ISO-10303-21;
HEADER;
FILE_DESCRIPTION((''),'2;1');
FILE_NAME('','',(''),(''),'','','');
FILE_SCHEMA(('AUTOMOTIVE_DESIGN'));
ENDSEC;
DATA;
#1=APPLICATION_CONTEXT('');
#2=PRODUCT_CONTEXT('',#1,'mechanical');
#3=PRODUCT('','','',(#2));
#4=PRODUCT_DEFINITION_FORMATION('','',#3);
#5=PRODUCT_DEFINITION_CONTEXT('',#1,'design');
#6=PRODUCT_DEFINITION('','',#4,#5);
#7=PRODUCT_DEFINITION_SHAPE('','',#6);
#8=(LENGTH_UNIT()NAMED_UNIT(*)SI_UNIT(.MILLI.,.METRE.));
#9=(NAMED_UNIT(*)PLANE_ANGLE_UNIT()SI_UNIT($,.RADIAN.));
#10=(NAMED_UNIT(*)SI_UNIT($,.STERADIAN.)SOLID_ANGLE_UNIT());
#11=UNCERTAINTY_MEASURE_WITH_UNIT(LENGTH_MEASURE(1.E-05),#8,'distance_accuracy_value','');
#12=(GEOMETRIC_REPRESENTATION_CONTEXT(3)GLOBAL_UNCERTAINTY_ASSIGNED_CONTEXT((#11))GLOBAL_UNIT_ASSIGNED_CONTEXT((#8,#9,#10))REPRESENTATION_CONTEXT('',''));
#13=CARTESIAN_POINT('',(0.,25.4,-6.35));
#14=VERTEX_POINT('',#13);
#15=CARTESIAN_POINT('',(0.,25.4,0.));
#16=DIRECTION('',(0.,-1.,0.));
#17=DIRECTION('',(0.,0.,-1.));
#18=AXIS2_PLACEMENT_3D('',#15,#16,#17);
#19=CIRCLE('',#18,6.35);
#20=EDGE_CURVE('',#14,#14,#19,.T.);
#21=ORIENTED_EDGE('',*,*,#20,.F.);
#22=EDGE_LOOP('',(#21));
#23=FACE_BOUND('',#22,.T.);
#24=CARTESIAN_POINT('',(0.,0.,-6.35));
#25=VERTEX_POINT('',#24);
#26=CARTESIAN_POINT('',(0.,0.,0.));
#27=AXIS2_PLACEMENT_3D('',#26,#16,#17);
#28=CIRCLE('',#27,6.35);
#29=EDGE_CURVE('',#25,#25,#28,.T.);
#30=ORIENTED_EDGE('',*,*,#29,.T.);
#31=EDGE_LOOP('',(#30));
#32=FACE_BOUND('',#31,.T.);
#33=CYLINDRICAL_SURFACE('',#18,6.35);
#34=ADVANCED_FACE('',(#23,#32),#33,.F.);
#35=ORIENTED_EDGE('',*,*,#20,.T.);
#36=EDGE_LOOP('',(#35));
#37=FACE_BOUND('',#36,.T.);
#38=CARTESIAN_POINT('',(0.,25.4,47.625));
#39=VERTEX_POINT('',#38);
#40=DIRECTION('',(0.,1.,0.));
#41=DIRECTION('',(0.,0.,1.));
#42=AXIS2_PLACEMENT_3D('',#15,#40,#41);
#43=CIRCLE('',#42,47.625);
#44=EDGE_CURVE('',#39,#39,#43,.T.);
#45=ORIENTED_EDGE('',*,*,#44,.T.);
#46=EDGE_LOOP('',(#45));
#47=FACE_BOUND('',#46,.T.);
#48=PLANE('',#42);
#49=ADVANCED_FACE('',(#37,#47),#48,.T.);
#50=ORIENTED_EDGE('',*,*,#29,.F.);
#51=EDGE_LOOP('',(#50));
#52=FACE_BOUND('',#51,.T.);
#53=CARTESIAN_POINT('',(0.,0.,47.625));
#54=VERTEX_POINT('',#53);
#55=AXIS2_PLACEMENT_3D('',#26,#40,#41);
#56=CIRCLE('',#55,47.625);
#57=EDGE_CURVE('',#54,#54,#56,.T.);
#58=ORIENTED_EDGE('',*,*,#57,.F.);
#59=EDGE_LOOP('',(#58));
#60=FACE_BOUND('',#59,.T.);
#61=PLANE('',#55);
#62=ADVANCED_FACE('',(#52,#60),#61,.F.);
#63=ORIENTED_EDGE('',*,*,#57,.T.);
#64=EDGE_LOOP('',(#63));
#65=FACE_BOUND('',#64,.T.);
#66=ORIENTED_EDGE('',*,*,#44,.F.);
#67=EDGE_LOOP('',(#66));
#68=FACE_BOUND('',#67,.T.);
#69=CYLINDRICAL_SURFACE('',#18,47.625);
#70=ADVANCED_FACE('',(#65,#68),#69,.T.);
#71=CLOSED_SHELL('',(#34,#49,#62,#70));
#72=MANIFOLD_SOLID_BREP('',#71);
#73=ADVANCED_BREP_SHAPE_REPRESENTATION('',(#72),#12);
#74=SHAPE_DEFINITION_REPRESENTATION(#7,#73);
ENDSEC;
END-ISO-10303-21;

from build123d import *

# Parameters (mm, degrees)
SKETCH1_R           = 47.625
BOSS_EXTRUDE1_DEPTH = 25.4
SKETCH2_R           = 6.35
CUT_EXTRUDE1_DEPTH  = 25.4


with BuildPart() as part:
    # Sketch1 → Boss-Extrude1 (new body)
    with BuildSketch(Plane(origin=(0, 0, 0), x_dir=(1, 0, 0), z_dir=(0, 1, 0))):
        Circle(SKETCH1_R)
    extrude(amount=BOSS_EXTRUDE1_DEPTH)

    # Sketch2 → Cut-Extrude1 (cut)
    with BuildSketch(Plane.XZ):
        Circle(SKETCH2_R)
    extrude(amount=-CUT_EXTRUDE1_DEPTH, mode=Mode.SUBTRACT)


solid = part.part
